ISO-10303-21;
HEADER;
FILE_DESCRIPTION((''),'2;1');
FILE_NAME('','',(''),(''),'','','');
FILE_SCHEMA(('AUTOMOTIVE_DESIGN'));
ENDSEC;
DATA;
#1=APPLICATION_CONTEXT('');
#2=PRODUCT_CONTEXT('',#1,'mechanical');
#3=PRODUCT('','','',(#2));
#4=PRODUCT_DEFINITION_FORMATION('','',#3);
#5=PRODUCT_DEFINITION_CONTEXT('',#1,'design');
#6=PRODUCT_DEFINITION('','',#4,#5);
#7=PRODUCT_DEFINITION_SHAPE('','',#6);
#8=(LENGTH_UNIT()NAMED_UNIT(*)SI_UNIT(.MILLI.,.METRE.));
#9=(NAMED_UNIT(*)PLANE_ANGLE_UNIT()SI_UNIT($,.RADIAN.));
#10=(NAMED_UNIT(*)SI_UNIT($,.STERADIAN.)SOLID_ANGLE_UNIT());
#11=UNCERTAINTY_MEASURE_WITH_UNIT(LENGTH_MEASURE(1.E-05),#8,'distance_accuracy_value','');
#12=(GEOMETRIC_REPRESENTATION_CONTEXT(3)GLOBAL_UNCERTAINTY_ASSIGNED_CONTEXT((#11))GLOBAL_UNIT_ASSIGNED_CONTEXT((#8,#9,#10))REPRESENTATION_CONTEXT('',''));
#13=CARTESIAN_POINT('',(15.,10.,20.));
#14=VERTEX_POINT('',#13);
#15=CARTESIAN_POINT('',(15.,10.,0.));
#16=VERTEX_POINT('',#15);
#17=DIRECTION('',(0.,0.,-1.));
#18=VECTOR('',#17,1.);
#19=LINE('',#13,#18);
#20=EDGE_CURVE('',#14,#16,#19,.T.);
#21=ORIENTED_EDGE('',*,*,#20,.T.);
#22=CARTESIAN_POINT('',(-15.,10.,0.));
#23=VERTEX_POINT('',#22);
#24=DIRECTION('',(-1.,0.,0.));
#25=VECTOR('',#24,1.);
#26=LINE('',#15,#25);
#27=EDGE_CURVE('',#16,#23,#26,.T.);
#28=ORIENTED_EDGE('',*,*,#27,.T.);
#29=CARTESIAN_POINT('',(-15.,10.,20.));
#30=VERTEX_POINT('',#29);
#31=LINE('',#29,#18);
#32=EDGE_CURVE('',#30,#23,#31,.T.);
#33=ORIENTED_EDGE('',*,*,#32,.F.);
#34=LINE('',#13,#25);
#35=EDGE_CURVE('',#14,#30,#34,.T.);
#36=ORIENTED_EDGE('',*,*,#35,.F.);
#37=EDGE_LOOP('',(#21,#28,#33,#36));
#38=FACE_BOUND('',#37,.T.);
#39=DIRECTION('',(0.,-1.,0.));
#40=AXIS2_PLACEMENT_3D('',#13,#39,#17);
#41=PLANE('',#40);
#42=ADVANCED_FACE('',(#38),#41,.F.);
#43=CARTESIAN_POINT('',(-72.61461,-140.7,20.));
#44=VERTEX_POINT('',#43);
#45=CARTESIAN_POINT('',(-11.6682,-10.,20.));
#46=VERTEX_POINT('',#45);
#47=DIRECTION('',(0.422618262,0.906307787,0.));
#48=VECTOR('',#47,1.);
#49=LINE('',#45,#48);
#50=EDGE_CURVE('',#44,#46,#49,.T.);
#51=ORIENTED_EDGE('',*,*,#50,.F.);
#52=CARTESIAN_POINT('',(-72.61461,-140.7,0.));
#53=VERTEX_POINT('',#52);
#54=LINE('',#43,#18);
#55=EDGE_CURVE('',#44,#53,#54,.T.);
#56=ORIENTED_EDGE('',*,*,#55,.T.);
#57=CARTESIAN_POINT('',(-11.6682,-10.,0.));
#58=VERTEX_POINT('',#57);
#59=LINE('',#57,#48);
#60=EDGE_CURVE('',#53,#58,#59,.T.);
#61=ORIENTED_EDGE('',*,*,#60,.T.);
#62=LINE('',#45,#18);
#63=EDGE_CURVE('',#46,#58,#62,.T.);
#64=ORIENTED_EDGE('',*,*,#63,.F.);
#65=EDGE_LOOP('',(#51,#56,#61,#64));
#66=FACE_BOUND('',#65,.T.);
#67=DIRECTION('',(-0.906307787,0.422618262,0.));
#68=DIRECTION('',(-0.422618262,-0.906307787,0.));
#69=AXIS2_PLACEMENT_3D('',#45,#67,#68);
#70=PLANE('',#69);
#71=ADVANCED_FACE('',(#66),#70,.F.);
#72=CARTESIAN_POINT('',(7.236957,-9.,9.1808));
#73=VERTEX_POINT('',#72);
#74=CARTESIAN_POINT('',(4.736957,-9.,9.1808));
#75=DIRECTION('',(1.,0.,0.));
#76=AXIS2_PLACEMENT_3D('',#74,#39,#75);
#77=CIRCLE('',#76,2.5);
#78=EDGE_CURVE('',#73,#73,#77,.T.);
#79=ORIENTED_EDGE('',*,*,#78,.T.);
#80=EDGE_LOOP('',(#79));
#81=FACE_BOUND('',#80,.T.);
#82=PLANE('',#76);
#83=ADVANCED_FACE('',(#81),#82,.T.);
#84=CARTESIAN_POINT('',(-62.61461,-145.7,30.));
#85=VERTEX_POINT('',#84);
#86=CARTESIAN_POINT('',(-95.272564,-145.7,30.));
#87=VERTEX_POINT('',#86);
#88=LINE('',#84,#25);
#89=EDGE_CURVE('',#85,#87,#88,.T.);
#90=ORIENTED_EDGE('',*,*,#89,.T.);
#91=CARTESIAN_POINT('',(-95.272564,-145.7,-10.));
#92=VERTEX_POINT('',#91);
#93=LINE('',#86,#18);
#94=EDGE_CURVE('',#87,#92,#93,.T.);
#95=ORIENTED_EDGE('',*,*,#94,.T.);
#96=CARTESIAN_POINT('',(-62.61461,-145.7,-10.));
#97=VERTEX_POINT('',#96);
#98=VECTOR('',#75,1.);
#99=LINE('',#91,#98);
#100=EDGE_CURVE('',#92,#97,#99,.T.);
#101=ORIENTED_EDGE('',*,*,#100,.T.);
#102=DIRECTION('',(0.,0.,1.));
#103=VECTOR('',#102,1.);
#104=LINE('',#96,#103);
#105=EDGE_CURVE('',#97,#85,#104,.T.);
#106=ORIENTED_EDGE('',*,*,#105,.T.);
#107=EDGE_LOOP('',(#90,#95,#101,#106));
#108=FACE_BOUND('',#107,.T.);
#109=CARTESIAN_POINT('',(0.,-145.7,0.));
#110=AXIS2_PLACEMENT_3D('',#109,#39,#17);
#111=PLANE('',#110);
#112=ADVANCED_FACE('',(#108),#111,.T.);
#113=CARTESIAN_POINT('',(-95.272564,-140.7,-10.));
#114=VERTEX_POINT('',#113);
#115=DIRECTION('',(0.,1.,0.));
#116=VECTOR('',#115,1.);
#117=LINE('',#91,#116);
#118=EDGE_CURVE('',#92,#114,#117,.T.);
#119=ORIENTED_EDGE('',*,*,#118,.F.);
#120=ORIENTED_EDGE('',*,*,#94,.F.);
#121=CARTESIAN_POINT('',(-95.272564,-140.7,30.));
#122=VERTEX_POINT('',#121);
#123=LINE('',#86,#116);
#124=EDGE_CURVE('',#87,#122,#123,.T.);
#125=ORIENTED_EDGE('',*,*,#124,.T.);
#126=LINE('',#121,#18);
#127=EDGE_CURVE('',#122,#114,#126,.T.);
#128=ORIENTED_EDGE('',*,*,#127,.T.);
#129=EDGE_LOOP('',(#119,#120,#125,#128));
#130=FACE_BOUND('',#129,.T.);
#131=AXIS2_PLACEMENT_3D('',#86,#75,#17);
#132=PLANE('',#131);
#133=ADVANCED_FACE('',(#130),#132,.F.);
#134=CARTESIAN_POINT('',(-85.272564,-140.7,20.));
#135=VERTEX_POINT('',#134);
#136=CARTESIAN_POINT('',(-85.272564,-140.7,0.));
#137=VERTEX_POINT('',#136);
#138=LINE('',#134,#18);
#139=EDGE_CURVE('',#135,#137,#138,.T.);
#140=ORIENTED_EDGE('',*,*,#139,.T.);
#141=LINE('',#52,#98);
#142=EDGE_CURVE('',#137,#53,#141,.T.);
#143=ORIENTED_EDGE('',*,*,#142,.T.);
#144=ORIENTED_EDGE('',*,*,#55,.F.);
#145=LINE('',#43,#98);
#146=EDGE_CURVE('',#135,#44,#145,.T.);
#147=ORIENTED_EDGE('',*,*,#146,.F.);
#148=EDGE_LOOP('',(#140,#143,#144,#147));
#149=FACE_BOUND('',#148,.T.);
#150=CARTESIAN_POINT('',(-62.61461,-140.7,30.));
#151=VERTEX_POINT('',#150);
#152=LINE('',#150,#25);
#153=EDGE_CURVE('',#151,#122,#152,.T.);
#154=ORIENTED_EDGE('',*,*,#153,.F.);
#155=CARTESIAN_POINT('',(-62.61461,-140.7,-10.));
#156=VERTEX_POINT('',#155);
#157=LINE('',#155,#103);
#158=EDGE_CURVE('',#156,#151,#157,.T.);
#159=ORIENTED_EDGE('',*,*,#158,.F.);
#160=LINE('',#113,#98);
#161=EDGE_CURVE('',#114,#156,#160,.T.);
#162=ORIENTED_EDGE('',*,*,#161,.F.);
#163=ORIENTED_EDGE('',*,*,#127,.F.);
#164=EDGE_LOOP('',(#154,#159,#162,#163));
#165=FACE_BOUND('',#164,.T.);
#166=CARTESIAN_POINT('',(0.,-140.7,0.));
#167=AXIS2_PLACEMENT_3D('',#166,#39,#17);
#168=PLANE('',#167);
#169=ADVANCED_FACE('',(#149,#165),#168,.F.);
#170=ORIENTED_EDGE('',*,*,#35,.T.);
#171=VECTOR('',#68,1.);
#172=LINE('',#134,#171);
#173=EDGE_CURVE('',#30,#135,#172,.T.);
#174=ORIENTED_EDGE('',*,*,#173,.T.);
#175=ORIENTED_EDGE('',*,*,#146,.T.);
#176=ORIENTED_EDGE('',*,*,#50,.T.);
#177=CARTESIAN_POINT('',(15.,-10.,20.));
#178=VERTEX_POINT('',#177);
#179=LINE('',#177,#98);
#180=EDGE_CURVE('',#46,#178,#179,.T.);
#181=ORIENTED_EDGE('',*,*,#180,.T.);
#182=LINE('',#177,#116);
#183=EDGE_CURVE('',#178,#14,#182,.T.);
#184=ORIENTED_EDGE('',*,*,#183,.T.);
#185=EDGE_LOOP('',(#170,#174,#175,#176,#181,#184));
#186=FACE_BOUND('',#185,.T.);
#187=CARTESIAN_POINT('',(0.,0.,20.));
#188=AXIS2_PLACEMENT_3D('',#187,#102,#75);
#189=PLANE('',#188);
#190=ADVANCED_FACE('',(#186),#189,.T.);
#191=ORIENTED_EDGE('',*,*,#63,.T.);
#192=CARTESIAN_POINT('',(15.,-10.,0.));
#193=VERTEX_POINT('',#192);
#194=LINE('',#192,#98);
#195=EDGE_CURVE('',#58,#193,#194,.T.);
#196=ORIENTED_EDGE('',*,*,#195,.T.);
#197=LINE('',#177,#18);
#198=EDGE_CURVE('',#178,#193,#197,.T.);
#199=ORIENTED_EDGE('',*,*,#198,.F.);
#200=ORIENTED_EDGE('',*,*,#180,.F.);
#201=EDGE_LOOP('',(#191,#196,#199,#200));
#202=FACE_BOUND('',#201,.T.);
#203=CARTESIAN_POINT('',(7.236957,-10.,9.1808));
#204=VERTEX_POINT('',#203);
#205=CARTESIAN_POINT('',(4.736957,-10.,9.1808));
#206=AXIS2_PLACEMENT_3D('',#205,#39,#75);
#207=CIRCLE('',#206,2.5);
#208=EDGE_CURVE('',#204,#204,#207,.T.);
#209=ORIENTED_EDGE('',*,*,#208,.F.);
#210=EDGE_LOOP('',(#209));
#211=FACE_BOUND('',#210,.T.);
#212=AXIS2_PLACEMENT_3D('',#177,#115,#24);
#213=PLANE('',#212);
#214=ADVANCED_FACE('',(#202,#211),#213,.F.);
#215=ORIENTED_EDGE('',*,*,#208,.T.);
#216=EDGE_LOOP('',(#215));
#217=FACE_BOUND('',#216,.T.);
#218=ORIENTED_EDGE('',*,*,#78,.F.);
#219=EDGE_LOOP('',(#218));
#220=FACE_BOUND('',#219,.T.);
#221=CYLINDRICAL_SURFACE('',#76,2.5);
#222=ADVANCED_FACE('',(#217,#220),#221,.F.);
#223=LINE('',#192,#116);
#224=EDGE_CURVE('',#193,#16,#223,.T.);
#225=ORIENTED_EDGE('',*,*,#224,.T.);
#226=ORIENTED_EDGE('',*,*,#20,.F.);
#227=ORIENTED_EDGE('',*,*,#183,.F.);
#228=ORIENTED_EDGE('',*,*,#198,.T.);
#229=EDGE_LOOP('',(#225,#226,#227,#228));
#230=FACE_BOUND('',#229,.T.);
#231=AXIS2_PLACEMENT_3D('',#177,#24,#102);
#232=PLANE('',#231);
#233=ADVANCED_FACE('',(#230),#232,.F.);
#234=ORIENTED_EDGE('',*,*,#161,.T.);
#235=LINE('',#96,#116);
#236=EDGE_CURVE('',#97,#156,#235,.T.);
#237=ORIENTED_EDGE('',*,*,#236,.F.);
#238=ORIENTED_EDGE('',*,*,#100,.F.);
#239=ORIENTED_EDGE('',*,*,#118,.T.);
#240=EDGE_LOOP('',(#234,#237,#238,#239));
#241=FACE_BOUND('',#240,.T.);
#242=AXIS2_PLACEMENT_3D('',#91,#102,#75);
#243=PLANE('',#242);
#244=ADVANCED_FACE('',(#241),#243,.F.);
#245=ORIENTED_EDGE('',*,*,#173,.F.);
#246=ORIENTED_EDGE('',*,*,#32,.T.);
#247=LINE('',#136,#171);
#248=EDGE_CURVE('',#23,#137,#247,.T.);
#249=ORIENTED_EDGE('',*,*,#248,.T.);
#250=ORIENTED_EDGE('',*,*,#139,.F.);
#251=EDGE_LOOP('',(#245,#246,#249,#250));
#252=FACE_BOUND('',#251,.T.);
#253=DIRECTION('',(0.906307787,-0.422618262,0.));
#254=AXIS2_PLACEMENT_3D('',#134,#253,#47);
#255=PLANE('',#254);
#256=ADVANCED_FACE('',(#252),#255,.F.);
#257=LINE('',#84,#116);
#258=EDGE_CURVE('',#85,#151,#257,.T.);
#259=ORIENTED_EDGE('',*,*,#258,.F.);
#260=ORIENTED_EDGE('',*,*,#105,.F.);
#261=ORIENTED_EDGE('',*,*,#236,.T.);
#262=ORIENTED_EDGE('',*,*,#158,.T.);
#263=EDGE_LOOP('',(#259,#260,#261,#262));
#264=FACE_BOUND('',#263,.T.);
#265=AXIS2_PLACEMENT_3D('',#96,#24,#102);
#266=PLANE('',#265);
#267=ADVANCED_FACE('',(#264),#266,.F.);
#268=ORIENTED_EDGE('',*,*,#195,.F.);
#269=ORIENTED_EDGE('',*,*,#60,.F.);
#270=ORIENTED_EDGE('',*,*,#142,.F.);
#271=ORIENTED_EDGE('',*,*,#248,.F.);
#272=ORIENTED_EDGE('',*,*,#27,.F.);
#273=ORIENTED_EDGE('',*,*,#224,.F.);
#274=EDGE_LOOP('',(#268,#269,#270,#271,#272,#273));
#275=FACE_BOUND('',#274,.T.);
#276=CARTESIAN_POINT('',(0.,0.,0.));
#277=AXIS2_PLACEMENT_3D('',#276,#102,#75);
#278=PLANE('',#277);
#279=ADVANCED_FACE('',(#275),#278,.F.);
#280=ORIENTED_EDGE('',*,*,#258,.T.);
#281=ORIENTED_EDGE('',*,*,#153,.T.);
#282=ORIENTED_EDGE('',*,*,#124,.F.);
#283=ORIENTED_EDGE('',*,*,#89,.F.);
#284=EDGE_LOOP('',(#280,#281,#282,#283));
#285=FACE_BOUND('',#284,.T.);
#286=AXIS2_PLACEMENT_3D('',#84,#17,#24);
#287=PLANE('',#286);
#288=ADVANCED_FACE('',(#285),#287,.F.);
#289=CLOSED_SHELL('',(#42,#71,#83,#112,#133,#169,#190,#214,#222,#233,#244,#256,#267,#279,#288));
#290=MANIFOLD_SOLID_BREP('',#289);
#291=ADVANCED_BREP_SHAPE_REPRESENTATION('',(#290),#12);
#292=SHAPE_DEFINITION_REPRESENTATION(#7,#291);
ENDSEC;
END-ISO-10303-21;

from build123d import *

# Parameters (mm, degrees)
BOSS_EXTRUDE1_DEPTH = 20
SKETCH2_W           = 32.657953652
SKETCH2_H           = 40
BOSS_EXTRUDE2_DEPTH = 5
SKETCH3_R           = 2.5
CUT_EXTRUDE1_DEPTH  = 1


with BuildPart() as part:
    # Sketch1 → Boss-Extrude1 (new body)
    with BuildSketch(Plane.XY):
        Polygon((-11.668199512, -10), (-72.614610432, -140.7), (-85.272564084, -140.7), (-15, 10), (15, 10), (15, -10), align=None)
    extrude(amount=BOSS_EXTRUDE1_DEPTH)

    # Sketch2 → Boss-Extrude2 (add)
    with BuildSketch(Plane.XZ.offset(140.7)):
        with Locations((-78.943587258, 10)):
            Rectangle(SKETCH2_W, SKETCH2_H)
    extrude(amount=BOSS_EXTRUDE2_DEPTH)

    # Sketch3 → Cut-Extrude1 (cut)
    with BuildSketch(Plane.XZ.offset(10)):
        with Locations((4.736957345, 9.180800469)):
            Circle(SKETCH3_R)
    extrude(amount=-CUT_EXTRUDE1_DEPTH, mode=Mode.SUBTRACT)


solid = part.part
